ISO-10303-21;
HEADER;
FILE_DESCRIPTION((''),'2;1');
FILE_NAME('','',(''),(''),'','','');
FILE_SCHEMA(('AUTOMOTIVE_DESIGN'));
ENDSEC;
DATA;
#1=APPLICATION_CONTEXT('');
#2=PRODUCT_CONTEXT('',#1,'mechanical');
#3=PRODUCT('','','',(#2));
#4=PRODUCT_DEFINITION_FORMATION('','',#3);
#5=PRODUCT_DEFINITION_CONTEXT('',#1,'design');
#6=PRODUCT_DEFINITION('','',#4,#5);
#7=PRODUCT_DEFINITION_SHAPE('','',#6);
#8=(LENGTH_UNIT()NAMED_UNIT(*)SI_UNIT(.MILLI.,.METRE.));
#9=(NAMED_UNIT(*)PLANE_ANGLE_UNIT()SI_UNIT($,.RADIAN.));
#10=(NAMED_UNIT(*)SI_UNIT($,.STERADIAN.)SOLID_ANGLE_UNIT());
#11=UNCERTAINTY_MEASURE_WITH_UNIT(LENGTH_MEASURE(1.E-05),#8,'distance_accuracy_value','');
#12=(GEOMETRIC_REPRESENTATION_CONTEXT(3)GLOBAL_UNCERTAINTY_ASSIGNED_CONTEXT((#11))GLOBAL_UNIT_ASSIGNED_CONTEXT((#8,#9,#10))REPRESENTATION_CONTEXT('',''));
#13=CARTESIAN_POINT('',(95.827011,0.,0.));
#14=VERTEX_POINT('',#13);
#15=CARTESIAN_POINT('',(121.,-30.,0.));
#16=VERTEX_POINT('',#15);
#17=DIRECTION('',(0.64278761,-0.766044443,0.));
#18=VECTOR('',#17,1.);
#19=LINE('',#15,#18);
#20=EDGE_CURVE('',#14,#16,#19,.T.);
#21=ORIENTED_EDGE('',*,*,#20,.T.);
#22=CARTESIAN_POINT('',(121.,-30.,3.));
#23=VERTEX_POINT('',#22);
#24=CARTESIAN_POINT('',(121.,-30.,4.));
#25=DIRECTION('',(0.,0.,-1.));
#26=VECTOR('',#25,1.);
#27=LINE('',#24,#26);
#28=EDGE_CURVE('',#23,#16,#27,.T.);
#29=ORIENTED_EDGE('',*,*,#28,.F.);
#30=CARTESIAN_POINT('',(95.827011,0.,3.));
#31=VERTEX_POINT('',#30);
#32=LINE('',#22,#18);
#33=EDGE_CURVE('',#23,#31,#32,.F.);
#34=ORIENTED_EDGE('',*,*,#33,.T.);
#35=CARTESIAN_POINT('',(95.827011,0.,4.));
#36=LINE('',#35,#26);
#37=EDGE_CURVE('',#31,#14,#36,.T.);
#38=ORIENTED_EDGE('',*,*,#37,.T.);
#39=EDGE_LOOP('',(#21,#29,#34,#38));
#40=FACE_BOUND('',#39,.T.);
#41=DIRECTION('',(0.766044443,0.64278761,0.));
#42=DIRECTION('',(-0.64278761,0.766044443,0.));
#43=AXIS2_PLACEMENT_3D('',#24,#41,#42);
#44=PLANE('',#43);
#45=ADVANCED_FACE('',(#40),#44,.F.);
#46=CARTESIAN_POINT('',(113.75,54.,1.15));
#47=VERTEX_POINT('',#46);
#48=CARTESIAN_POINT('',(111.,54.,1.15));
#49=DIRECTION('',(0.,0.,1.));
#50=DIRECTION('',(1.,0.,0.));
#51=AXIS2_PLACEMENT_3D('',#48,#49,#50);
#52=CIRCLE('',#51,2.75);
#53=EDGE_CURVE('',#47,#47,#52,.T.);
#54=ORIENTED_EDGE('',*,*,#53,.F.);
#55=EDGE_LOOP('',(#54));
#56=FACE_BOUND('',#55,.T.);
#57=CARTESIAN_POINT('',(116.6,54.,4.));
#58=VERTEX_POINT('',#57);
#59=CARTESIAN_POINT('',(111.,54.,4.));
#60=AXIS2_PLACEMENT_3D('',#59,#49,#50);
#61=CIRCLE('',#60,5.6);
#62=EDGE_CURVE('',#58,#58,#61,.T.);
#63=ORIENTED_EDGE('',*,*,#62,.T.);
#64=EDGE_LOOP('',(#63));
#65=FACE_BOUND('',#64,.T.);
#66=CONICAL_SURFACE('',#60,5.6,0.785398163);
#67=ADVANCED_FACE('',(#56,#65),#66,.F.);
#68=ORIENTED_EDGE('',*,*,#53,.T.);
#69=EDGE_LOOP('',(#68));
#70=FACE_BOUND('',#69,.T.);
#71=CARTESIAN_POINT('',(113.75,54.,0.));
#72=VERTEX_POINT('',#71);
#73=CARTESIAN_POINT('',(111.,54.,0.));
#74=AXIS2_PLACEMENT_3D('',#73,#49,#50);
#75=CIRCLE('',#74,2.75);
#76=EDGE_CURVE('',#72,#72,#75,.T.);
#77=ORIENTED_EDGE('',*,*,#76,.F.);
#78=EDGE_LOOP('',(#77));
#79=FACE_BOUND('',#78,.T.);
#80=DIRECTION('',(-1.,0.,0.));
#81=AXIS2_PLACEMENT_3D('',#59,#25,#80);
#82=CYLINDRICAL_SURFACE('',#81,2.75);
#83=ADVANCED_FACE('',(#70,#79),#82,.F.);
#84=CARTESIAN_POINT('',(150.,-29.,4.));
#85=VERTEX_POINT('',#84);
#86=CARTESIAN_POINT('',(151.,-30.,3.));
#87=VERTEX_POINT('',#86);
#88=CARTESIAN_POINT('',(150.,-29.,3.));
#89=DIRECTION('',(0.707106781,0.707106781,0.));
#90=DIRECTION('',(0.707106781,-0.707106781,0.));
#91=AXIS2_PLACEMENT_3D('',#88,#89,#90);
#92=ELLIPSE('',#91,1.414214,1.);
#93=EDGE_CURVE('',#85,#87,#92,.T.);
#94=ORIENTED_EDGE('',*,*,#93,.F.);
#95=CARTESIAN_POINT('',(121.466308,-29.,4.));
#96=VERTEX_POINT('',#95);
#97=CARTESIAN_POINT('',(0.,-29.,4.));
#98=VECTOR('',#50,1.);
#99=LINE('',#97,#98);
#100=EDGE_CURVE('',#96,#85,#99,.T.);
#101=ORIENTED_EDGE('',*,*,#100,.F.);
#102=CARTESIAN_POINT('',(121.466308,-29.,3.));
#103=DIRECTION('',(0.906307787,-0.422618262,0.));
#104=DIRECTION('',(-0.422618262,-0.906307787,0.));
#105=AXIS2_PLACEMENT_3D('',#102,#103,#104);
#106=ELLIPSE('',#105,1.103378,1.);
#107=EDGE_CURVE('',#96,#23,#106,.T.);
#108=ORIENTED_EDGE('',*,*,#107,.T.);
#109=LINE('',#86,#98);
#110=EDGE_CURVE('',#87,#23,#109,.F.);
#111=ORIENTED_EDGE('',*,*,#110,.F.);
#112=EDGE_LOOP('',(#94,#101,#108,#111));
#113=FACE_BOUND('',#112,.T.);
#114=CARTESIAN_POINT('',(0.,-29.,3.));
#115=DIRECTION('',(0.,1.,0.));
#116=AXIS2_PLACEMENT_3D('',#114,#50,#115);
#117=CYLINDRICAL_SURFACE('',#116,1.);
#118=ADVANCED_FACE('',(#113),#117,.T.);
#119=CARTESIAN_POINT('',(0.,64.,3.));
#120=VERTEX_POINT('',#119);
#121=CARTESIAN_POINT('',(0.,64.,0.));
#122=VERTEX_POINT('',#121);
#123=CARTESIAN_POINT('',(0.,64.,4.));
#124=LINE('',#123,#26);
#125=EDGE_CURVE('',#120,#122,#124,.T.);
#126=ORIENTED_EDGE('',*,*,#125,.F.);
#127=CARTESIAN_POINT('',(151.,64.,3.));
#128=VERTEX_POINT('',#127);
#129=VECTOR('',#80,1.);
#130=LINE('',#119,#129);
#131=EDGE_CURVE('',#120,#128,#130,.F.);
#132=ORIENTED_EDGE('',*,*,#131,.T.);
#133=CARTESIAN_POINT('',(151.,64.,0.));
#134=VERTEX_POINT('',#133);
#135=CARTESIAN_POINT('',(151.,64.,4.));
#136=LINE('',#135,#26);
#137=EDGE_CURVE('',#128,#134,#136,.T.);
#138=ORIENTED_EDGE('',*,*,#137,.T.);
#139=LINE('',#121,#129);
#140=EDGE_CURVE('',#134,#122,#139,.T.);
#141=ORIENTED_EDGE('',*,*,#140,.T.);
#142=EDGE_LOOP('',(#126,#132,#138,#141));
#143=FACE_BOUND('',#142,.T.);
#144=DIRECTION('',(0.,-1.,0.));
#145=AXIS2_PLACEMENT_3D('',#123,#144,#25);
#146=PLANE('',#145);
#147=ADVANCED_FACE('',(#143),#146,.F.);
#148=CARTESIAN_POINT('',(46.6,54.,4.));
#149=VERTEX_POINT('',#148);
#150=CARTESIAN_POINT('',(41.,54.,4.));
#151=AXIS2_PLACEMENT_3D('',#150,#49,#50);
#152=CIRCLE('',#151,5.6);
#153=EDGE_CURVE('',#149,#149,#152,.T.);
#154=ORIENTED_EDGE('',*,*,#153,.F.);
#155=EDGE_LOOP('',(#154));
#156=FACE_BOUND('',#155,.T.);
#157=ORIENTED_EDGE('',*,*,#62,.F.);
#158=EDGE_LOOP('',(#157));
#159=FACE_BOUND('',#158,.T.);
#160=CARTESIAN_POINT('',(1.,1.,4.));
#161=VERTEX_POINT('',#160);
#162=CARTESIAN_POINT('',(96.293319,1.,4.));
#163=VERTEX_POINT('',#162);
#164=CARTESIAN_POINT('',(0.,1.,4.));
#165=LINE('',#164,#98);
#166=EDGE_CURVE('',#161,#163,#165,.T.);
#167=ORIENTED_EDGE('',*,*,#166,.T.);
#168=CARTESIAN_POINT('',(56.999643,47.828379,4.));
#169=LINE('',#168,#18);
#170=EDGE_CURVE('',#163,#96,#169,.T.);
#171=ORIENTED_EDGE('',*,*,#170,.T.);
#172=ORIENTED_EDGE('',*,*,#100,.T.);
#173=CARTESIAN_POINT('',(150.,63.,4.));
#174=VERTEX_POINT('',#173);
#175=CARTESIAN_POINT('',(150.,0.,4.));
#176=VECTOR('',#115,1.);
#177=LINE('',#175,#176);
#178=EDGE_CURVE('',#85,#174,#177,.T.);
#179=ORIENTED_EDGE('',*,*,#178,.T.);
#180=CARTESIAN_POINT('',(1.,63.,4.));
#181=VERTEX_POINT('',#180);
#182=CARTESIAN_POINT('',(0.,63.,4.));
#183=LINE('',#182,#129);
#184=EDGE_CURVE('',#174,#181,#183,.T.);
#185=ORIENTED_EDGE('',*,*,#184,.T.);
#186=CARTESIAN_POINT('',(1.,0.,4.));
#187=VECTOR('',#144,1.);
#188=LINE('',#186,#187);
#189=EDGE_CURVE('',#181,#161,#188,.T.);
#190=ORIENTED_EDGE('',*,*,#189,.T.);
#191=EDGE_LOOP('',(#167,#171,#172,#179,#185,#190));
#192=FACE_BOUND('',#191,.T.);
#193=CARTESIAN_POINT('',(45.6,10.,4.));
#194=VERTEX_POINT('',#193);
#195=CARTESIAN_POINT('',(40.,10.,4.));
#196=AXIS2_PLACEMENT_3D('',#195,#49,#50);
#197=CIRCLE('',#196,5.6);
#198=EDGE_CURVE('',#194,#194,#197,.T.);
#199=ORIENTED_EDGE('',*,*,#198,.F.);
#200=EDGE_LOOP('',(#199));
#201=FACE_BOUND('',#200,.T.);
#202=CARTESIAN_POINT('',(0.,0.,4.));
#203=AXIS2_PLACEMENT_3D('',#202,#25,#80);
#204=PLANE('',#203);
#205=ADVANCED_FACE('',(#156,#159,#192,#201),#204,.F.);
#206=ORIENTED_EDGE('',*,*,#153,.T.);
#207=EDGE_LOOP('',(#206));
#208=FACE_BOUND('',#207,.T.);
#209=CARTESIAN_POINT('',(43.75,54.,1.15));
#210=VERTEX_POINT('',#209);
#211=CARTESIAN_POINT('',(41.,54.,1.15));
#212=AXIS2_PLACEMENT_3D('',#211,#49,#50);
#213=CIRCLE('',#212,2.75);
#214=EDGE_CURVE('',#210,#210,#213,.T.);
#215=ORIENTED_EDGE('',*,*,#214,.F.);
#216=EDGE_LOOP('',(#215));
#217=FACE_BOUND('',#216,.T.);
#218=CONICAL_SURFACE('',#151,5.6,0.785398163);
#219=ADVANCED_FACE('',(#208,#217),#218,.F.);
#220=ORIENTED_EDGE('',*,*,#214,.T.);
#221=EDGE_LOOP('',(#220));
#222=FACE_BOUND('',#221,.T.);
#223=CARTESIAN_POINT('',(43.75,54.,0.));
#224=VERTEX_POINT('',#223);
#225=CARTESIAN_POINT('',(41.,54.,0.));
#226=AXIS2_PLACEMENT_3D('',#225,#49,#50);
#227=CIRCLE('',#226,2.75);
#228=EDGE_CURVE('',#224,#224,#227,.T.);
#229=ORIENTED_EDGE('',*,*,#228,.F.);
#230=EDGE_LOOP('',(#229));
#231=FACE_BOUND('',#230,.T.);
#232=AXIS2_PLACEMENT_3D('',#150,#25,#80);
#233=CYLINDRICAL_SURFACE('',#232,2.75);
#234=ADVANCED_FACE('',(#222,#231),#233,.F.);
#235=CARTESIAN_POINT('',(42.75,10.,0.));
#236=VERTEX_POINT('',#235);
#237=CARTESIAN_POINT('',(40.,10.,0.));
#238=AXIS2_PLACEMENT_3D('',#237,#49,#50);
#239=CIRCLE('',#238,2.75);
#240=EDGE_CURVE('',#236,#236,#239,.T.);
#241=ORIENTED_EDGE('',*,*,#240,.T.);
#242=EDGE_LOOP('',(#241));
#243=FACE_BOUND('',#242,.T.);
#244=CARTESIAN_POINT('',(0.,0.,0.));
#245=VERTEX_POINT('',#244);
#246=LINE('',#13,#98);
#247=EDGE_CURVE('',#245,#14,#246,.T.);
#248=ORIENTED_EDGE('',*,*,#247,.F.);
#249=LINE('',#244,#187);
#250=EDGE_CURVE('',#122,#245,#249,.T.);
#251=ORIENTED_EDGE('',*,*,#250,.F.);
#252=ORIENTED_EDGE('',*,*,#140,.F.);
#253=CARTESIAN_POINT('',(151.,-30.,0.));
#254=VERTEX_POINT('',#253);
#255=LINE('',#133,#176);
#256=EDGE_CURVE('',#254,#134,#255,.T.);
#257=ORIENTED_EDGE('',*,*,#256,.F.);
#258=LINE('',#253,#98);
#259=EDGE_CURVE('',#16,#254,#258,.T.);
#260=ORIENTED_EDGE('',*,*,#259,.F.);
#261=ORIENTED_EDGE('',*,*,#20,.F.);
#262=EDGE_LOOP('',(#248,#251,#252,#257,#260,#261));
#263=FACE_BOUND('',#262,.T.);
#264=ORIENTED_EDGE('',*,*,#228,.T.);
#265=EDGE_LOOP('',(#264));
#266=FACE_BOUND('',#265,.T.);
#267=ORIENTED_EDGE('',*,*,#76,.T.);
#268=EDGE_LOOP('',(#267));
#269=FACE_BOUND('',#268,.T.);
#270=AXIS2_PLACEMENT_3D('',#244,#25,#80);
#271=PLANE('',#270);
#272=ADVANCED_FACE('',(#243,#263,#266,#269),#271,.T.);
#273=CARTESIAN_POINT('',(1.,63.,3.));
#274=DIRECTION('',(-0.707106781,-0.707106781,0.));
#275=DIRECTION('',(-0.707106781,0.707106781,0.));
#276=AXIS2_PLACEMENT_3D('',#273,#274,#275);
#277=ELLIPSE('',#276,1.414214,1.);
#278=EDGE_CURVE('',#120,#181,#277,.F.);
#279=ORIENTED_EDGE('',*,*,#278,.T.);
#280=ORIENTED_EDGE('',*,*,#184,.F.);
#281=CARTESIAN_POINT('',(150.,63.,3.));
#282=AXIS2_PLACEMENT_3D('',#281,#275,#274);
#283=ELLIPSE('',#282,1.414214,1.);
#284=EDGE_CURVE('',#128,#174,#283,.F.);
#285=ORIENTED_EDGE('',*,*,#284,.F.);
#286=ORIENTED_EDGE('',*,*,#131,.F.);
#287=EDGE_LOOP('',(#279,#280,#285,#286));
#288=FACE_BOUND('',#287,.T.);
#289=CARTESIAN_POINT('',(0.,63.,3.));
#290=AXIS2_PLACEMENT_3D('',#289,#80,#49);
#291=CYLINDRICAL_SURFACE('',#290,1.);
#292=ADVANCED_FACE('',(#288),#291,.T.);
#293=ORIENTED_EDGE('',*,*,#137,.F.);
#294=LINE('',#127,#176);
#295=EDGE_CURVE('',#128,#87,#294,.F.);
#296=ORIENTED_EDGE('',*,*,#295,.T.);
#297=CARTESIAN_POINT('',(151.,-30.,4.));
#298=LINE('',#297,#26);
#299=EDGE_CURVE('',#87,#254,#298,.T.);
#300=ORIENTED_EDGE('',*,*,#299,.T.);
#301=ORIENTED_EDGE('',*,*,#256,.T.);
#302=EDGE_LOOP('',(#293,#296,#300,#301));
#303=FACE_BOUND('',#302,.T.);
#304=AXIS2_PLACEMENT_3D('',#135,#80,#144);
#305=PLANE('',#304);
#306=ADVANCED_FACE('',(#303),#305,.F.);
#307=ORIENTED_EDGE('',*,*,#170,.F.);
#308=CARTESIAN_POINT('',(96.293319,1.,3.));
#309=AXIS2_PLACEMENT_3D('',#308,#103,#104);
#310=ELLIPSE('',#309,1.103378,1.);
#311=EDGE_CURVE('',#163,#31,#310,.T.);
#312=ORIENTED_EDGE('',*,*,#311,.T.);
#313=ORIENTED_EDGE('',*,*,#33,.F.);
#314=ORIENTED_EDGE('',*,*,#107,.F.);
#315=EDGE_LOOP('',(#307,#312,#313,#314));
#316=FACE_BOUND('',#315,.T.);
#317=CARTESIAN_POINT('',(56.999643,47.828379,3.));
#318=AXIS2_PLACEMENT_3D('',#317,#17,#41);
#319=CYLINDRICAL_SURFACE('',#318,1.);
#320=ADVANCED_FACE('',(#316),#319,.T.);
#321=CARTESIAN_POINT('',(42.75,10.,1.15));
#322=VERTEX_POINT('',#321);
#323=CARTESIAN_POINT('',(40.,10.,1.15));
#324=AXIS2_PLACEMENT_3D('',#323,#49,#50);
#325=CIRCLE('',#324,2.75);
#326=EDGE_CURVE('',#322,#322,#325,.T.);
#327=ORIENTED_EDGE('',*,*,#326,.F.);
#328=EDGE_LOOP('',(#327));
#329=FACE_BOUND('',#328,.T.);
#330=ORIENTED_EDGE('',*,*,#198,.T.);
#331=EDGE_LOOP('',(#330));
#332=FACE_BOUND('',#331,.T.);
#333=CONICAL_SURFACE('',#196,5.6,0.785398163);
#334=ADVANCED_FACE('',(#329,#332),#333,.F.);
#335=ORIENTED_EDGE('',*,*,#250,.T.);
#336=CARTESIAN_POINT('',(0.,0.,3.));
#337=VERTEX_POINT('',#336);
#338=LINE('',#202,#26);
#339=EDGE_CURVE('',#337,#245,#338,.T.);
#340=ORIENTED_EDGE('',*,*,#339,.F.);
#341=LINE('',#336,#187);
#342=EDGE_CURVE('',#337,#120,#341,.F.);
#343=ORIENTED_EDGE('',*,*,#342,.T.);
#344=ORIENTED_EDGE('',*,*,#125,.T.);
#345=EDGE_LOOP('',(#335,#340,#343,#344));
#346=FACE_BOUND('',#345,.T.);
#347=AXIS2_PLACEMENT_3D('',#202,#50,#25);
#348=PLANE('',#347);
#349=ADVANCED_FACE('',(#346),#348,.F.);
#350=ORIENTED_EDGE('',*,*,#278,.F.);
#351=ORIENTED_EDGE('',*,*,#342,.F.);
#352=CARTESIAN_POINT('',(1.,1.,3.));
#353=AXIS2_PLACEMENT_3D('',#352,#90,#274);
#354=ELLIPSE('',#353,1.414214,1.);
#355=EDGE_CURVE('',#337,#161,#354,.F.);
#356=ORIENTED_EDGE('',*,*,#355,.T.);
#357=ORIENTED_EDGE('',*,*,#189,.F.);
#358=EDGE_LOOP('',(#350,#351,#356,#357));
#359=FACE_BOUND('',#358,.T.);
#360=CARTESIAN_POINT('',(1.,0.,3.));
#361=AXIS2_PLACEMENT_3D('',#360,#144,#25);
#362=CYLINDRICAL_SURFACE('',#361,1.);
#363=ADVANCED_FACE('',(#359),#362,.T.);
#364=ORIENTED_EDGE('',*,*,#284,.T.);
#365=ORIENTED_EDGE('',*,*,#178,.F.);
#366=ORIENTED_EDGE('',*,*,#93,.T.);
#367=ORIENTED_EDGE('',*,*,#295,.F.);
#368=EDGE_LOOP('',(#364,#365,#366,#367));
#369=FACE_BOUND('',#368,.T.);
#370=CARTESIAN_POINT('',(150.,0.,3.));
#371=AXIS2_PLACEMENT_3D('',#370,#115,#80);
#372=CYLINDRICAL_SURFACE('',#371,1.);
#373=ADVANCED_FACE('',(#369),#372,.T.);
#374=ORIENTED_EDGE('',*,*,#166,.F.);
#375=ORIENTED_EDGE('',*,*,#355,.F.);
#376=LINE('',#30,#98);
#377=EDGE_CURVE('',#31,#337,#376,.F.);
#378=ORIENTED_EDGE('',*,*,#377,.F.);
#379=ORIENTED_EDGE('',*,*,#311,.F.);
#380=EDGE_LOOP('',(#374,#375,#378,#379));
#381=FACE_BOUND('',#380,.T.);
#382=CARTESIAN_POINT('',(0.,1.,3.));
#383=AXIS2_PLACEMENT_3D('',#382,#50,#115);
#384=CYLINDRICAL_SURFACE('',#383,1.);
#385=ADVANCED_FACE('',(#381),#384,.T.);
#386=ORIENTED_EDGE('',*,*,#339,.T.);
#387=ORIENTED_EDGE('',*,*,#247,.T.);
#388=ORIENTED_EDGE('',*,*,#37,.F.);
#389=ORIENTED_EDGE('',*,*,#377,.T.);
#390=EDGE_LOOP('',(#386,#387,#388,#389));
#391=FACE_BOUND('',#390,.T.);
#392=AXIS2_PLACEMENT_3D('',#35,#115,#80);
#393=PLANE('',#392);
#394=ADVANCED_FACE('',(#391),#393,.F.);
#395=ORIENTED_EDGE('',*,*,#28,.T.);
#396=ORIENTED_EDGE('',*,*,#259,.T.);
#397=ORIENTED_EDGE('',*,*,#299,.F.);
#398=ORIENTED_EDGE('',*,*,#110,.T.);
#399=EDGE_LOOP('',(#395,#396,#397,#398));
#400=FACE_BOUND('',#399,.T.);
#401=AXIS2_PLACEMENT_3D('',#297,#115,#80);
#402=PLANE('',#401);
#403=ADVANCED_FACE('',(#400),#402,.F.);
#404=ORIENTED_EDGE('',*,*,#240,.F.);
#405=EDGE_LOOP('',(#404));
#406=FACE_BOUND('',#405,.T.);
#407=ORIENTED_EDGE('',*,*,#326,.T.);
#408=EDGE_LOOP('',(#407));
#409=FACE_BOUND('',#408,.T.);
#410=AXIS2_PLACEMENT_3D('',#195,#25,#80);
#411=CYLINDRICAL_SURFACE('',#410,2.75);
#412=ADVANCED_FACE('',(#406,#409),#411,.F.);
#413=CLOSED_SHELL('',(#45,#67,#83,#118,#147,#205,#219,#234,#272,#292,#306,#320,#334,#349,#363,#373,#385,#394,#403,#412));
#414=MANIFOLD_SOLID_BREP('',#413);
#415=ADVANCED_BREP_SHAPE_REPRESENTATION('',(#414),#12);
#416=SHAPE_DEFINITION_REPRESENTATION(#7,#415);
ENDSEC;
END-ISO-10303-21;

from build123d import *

# Parameters (mm, degrees)
SKETCH1_R                                            = 2.75
BOSS_EXTRUDE1_DEPTH                                  = 4
FILLET1_R                                            = 1
CSK_FOR_M5_HEX_SOCKET_COUNTERSUNK_CAP_SC_D           = 5.5
CSK_FOR_M5_HEX_SOCKET_COUNTERSUNK_CAP_SC_DEPTH       = 12.4
CSK_FOR_M5_HEX_SOCKET_COUNTERSUNK_CAP_SC_CSINK_D     = 11.2
CSK_FOR_M5_HEX_SOCKET_COUNTERSUNK_CAP_SC_CSINK_ANGLE = 90
CSK_FOR_M5_HEX_SOCKET_COUNTERSUNK_CAP_SC_TIP         = 1.652366702


with BuildPart() as part:
    # Sketch1 → Boss-Extrude1 (new body)
    with BuildSketch(Plane.XY):
        Polygon((0, 0), (0, 64), (151, 64), (151, -30), (121, -30), (95.827011065, 0), align=None)
        with Locations((41, 54)):
            Circle(SKETCH1_R, mode=Mode.SUBTRACT)
        with Locations((111, 54)):
            Circle(SKETCH1_R, mode=Mode.SUBTRACT)
        with Locations((40, 10)):
            Circle(SKETCH1_R, mode=Mode.SUBTRACT)
    extrude(amount=BOSS_EXTRUDE1_DEPTH)

    # Fillet1
    fillet1_edges = [part.edges().sort_by_distance(p)[0] for p in [
        (136, -30, 4),
        (151, 17, 4),
        (75.5, 64, 4),
        (0, 32, 4),
        (47.913505532, 0, 4),
        (108.413505532, -15, 4),
    ]]
    fillet(fillet1_edges, radius=FILLET1_R)

    # CSK for M5 Hex Socket Countersunk Cap Screw1
    with Locations(Plane.XY.offset(4)):
        with Locations((41, 54), (111, 54), (40, 10)):
            CounterSinkHole(CSK_FOR_M5_HEX_SOCKET_COUNTERSUNK_CAP_SC_D / 2, CSK_FOR_M5_HEX_SOCKET_COUNTERSUNK_CAP_SC_CSINK_D / 2, depth=CSK_FOR_M5_HEX_SOCKET_COUNTERSUNK_CAP_SC_DEPTH, counter_sink_angle=CSK_FOR_M5_HEX_SOCKET_COUNTERSUNK_CAP_SC_CSINK_ANGLE)
            with Locations((0, 0, -(CSK_FOR_M5_HEX_SOCKET_COUNTERSUNK_CAP_SC_DEPTH + CSK_FOR_M5_HEX_SOCKET_COUNTERSUNK_CAP_SC_TIP / 2))):  # 118° drill point
                Cone(0, CSK_FOR_M5_HEX_SOCKET_COUNTERSUNK_CAP_SC_D / 2, CSK_FOR_M5_HEX_SOCKET_COUNTERSUNK_CAP_SC_TIP, mode=Mode.SUBTRACT)


solid = part.part
